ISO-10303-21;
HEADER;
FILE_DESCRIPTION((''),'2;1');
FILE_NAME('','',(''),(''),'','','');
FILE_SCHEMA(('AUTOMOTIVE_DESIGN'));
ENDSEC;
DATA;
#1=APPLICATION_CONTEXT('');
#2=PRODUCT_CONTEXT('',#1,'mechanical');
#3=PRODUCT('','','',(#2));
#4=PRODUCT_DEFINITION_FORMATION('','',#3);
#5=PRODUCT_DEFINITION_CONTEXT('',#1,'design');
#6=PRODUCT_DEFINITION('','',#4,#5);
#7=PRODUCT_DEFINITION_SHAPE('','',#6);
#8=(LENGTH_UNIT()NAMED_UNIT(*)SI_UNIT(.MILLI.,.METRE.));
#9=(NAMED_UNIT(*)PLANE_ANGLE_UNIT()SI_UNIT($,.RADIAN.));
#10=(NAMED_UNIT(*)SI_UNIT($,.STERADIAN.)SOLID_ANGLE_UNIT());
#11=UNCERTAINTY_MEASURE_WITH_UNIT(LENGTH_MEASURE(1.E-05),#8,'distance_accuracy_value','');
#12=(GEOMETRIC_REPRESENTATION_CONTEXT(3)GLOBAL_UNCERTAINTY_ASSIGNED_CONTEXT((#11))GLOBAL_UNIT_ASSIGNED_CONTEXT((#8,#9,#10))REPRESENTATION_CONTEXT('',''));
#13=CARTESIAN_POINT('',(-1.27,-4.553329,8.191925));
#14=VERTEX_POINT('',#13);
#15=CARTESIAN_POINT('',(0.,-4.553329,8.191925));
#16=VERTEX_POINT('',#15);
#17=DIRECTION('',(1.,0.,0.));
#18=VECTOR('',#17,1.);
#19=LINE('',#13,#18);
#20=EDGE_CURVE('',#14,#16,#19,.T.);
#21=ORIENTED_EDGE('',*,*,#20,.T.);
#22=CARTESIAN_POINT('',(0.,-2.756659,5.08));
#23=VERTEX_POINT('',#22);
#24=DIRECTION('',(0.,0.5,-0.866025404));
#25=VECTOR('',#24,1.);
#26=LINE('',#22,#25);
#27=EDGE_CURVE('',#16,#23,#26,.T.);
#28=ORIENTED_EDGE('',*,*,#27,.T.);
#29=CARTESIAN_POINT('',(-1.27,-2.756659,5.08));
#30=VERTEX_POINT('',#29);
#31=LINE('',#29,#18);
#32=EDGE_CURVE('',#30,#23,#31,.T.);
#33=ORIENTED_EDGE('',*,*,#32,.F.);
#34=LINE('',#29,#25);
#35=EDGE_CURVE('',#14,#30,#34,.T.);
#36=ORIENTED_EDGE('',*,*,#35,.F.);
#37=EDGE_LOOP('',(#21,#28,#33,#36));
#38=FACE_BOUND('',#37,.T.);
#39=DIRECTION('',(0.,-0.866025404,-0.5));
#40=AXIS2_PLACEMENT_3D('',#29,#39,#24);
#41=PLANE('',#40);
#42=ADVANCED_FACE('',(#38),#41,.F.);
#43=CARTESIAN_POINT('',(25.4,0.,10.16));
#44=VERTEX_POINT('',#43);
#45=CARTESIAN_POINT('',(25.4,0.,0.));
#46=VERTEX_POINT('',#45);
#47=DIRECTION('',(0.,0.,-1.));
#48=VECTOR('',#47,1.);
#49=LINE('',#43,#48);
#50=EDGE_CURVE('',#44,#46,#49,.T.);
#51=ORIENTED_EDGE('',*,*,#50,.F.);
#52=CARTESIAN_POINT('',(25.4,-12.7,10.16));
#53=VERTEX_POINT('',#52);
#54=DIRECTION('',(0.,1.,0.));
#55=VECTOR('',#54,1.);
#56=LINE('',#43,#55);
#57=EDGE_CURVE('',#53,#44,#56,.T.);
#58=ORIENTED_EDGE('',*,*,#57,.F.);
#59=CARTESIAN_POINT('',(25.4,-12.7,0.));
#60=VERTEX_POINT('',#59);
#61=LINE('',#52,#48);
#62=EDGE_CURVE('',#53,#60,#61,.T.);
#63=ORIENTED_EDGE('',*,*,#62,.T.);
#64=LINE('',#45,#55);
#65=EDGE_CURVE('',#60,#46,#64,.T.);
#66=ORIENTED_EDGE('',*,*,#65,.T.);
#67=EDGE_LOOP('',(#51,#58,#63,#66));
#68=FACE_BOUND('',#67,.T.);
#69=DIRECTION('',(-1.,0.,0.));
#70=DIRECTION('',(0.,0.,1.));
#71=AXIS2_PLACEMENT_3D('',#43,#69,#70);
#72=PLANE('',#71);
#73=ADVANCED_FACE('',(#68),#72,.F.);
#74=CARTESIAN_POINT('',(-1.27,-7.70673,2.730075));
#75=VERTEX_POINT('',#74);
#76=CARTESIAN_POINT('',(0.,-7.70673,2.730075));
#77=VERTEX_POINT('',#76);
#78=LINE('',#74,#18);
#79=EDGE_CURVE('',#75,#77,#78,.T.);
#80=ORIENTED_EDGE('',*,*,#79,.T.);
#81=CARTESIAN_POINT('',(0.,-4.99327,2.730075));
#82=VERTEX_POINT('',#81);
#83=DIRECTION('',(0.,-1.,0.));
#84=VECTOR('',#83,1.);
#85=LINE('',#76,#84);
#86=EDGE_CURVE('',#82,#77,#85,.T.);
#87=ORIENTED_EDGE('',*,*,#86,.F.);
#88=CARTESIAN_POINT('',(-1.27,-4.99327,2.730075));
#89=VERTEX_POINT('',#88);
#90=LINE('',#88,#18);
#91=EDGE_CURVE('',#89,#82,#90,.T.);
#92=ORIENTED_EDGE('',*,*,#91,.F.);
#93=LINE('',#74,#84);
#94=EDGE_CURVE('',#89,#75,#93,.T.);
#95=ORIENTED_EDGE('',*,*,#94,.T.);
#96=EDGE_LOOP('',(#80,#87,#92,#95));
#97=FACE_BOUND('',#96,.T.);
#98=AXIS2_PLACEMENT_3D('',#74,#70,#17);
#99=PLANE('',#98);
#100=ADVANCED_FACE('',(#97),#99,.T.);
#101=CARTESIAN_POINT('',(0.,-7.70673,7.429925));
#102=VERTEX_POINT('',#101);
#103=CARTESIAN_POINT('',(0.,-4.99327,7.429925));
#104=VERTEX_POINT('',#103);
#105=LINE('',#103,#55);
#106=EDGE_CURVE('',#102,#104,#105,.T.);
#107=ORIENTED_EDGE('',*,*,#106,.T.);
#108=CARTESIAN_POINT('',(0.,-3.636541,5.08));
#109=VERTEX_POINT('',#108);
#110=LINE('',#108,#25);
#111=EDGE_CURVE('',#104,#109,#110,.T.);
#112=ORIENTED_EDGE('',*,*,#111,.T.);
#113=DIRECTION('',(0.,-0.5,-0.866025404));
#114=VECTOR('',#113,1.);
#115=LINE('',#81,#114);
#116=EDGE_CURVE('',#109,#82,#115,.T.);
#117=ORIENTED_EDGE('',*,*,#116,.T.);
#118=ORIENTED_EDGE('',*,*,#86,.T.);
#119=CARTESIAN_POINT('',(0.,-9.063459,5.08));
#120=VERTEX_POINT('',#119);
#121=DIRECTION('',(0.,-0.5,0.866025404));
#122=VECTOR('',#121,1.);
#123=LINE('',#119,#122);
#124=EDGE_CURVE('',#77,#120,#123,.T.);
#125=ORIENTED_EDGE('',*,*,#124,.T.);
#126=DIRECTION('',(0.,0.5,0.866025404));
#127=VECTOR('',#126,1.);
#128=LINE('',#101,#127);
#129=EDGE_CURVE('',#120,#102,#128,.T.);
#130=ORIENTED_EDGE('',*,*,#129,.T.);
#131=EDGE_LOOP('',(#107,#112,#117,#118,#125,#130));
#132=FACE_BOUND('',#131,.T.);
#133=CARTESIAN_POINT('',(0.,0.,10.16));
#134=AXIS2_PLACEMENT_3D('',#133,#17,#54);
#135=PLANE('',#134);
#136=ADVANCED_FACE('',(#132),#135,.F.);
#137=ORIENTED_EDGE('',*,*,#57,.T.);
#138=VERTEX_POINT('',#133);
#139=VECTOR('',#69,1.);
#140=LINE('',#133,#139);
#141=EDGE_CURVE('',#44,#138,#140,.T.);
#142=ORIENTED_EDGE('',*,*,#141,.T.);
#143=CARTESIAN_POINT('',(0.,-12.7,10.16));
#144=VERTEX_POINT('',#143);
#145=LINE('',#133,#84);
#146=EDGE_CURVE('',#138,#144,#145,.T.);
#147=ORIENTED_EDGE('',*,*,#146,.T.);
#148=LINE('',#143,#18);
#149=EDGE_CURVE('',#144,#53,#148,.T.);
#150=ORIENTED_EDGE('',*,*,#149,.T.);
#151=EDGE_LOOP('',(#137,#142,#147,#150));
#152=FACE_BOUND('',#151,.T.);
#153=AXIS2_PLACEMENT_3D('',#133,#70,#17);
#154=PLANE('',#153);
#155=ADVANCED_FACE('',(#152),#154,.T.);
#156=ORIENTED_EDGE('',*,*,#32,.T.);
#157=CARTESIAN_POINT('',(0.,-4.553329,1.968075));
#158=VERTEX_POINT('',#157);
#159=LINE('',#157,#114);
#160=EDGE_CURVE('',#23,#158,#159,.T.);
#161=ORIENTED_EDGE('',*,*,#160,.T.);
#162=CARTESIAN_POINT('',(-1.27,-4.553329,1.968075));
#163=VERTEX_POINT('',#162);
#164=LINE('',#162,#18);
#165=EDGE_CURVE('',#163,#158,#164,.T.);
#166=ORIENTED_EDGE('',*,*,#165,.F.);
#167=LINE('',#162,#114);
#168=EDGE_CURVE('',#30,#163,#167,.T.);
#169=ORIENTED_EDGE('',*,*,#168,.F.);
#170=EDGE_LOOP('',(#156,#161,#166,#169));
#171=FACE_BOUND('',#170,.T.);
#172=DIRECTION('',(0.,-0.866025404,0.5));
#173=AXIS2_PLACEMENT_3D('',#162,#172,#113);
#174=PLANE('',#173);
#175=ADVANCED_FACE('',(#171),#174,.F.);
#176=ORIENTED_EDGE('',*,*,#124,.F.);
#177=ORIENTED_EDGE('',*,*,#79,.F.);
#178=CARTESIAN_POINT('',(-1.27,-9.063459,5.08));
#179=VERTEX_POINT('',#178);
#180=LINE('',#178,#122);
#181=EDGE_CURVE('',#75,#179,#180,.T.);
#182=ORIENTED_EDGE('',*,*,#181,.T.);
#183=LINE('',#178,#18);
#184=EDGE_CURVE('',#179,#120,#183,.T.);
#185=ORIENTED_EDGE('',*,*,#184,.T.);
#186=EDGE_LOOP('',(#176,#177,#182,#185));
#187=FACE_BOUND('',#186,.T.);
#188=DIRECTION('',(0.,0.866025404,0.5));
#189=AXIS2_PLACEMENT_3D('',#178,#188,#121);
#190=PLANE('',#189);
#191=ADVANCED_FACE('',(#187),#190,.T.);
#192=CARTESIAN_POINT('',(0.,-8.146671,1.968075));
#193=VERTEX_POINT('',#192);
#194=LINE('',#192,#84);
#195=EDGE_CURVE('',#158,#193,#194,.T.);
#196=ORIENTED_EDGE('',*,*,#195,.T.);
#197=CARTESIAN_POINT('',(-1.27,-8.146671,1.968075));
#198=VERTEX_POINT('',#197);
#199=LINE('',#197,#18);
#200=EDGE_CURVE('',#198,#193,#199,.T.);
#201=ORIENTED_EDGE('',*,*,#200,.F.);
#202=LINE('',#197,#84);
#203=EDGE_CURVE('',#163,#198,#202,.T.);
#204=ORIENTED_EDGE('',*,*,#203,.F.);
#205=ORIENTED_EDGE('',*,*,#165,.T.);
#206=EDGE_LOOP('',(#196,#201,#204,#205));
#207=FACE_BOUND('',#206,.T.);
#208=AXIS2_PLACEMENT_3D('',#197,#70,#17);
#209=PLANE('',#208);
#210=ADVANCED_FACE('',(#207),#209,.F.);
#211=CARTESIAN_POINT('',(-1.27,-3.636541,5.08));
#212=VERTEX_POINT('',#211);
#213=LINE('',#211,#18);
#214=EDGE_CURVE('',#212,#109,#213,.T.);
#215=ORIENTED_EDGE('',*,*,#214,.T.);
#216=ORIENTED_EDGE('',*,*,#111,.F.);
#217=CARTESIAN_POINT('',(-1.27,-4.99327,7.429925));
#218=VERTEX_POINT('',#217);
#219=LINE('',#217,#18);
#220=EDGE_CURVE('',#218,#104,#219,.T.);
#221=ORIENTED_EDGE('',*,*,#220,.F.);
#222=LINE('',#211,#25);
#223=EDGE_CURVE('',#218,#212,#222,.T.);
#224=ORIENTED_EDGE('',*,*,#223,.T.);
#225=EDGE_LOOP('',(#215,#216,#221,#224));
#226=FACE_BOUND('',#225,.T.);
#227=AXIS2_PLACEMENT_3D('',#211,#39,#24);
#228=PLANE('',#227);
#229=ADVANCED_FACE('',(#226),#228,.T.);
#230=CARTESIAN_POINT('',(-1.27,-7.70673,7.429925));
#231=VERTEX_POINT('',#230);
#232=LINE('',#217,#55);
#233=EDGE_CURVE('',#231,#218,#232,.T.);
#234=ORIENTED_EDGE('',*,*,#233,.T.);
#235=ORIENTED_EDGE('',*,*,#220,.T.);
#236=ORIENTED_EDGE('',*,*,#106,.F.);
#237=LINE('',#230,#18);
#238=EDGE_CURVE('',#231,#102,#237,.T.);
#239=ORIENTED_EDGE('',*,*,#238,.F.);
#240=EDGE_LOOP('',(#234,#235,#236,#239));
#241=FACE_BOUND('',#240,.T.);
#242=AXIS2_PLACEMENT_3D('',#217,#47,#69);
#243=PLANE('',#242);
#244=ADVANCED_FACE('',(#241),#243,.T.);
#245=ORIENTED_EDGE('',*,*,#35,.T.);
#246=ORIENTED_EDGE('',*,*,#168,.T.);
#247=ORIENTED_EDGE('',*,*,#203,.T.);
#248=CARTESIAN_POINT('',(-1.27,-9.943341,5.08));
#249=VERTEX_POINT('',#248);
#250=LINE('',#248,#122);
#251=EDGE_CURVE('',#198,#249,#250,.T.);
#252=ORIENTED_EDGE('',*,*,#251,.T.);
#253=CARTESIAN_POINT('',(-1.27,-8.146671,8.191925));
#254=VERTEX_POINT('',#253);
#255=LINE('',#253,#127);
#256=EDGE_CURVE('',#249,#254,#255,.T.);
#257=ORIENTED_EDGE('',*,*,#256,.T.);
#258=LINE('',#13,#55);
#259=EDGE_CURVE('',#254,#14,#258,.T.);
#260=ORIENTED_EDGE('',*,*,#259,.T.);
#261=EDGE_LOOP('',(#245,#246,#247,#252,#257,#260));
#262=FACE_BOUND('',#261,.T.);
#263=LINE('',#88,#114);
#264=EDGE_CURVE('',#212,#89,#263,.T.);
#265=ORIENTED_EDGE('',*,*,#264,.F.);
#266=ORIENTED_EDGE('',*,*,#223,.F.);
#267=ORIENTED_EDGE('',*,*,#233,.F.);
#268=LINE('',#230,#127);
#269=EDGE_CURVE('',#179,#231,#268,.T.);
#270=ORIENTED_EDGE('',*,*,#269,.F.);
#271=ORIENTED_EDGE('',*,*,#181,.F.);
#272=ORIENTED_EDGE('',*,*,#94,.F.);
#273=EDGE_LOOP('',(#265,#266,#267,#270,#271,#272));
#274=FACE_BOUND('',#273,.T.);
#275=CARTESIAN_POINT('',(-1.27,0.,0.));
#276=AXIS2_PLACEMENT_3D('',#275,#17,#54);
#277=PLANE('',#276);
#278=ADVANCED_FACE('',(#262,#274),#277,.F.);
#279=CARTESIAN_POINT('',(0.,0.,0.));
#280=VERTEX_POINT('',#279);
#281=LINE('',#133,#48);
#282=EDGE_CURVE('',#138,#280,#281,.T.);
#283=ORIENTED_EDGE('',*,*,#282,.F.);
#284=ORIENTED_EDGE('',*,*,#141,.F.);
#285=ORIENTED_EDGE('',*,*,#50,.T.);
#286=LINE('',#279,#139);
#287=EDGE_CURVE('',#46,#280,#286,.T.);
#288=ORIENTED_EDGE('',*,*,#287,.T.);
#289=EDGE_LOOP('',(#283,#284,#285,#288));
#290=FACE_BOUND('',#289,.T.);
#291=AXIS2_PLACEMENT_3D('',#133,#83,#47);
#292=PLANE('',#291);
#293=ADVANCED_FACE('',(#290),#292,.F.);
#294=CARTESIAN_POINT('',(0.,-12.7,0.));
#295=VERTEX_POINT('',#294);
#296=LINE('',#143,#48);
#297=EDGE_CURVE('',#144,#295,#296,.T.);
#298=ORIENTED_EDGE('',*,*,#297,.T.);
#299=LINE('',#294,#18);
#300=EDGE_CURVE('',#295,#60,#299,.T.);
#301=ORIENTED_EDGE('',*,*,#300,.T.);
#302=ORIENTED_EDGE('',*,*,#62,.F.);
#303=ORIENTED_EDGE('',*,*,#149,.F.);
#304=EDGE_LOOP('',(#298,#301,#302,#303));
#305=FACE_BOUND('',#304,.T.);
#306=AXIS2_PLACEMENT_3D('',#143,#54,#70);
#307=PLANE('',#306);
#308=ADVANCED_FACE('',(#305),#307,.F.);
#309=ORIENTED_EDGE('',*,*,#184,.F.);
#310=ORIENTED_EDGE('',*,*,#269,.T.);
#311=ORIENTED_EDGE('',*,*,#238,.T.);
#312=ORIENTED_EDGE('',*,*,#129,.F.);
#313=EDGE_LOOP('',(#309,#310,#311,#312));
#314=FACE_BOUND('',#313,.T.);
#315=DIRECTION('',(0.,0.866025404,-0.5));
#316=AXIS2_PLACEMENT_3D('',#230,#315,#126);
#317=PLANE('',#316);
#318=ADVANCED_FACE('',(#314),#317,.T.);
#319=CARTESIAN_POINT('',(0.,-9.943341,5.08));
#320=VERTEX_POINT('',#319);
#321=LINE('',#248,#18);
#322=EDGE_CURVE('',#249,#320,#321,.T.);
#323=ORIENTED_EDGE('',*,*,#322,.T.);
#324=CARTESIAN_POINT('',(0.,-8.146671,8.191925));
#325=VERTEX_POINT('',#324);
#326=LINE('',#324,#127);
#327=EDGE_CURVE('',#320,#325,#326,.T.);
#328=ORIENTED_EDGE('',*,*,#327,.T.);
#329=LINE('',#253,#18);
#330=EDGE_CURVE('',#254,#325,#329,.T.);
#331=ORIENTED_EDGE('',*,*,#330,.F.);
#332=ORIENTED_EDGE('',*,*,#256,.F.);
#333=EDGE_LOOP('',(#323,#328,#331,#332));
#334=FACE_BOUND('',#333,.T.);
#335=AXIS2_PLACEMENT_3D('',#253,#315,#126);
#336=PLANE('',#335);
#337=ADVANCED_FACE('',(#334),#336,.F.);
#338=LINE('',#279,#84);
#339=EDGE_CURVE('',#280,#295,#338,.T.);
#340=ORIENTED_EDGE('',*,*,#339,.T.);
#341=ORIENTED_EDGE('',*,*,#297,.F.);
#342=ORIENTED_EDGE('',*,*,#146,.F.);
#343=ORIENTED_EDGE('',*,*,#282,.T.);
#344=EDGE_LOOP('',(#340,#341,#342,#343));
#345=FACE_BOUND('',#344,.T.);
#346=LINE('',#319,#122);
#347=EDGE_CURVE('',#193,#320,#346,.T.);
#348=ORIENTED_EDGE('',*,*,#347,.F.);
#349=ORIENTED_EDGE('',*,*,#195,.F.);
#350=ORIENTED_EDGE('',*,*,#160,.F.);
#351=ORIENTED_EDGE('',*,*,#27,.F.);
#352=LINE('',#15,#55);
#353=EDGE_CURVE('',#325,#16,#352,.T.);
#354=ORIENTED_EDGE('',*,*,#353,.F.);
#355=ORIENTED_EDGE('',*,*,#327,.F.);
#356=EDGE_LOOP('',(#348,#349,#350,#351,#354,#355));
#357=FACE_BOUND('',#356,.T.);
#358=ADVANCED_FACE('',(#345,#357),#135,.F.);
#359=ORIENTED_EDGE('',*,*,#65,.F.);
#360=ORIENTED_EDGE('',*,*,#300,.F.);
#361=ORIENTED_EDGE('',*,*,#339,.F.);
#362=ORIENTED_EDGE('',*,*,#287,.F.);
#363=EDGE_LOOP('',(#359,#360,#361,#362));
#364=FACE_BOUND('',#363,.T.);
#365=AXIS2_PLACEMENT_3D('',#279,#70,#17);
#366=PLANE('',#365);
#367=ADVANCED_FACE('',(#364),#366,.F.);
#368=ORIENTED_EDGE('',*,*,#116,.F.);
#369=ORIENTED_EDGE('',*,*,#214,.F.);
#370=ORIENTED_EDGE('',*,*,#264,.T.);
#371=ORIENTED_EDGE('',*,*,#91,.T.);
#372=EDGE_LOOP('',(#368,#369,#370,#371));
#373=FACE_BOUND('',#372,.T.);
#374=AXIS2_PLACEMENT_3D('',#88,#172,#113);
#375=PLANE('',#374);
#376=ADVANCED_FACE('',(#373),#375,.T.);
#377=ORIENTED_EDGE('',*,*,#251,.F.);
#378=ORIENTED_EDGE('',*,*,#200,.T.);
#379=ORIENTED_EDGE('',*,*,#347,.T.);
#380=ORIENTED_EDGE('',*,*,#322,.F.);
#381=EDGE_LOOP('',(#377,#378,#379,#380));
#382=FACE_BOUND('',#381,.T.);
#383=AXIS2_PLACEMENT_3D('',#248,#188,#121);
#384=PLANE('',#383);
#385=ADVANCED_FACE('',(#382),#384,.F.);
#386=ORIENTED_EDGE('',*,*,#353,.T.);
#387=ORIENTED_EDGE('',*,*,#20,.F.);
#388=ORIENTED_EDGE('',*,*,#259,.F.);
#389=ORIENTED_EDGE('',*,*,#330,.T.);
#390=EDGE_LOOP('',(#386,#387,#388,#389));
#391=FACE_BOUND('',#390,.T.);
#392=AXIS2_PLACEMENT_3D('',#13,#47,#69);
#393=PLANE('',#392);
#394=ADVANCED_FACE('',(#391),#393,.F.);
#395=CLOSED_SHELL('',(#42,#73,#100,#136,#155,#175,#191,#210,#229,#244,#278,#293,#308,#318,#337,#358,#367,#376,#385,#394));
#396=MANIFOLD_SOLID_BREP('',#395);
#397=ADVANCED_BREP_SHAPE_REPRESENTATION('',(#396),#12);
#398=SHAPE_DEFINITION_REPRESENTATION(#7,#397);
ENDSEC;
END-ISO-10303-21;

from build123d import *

# Parameters (mm, degrees)
SKETCH1_W           = 25.4
SKETCH1_H           = 12.7
BOSS_EXTRUDE1_DEPTH = 10.16
BOSS_EXTRUDE2_DEPTH = 1.27


with BuildPart() as part:
    # Sketch1 → Boss-Extrude1 (new body)
    with BuildSketch(Plane.XY):
        with Locations((12.7, -6.35)):
            Rectangle(SKETCH1_W, SKETCH1_H)
    extrude(amount=BOSS_EXTRUDE1_DEPTH)

    # Sketch2 → Boss-Extrude2 (add)
    with BuildSketch(Plane.ZY):
        Polygon((5.08, -2.756658991), (8.191924598, -4.553329495), (8.191924598, -8.146670505), (5.08, -9.943341009), (1.968075402, -8.146670505), (1.968075402, -4.553329495), align=None)
        Polygon((7.429924598, -4.993270401), (7.429924598, -7.706729599), (5.08, -9.063459199), (2.730075402, -7.706729599), (2.730075402, -4.993270401), (5.08, -3.636540801), align=None, mode=Mode.SUBTRACT)
    extrude(amount=BOSS_EXTRUDE2_DEPTH)


solid = part.part
